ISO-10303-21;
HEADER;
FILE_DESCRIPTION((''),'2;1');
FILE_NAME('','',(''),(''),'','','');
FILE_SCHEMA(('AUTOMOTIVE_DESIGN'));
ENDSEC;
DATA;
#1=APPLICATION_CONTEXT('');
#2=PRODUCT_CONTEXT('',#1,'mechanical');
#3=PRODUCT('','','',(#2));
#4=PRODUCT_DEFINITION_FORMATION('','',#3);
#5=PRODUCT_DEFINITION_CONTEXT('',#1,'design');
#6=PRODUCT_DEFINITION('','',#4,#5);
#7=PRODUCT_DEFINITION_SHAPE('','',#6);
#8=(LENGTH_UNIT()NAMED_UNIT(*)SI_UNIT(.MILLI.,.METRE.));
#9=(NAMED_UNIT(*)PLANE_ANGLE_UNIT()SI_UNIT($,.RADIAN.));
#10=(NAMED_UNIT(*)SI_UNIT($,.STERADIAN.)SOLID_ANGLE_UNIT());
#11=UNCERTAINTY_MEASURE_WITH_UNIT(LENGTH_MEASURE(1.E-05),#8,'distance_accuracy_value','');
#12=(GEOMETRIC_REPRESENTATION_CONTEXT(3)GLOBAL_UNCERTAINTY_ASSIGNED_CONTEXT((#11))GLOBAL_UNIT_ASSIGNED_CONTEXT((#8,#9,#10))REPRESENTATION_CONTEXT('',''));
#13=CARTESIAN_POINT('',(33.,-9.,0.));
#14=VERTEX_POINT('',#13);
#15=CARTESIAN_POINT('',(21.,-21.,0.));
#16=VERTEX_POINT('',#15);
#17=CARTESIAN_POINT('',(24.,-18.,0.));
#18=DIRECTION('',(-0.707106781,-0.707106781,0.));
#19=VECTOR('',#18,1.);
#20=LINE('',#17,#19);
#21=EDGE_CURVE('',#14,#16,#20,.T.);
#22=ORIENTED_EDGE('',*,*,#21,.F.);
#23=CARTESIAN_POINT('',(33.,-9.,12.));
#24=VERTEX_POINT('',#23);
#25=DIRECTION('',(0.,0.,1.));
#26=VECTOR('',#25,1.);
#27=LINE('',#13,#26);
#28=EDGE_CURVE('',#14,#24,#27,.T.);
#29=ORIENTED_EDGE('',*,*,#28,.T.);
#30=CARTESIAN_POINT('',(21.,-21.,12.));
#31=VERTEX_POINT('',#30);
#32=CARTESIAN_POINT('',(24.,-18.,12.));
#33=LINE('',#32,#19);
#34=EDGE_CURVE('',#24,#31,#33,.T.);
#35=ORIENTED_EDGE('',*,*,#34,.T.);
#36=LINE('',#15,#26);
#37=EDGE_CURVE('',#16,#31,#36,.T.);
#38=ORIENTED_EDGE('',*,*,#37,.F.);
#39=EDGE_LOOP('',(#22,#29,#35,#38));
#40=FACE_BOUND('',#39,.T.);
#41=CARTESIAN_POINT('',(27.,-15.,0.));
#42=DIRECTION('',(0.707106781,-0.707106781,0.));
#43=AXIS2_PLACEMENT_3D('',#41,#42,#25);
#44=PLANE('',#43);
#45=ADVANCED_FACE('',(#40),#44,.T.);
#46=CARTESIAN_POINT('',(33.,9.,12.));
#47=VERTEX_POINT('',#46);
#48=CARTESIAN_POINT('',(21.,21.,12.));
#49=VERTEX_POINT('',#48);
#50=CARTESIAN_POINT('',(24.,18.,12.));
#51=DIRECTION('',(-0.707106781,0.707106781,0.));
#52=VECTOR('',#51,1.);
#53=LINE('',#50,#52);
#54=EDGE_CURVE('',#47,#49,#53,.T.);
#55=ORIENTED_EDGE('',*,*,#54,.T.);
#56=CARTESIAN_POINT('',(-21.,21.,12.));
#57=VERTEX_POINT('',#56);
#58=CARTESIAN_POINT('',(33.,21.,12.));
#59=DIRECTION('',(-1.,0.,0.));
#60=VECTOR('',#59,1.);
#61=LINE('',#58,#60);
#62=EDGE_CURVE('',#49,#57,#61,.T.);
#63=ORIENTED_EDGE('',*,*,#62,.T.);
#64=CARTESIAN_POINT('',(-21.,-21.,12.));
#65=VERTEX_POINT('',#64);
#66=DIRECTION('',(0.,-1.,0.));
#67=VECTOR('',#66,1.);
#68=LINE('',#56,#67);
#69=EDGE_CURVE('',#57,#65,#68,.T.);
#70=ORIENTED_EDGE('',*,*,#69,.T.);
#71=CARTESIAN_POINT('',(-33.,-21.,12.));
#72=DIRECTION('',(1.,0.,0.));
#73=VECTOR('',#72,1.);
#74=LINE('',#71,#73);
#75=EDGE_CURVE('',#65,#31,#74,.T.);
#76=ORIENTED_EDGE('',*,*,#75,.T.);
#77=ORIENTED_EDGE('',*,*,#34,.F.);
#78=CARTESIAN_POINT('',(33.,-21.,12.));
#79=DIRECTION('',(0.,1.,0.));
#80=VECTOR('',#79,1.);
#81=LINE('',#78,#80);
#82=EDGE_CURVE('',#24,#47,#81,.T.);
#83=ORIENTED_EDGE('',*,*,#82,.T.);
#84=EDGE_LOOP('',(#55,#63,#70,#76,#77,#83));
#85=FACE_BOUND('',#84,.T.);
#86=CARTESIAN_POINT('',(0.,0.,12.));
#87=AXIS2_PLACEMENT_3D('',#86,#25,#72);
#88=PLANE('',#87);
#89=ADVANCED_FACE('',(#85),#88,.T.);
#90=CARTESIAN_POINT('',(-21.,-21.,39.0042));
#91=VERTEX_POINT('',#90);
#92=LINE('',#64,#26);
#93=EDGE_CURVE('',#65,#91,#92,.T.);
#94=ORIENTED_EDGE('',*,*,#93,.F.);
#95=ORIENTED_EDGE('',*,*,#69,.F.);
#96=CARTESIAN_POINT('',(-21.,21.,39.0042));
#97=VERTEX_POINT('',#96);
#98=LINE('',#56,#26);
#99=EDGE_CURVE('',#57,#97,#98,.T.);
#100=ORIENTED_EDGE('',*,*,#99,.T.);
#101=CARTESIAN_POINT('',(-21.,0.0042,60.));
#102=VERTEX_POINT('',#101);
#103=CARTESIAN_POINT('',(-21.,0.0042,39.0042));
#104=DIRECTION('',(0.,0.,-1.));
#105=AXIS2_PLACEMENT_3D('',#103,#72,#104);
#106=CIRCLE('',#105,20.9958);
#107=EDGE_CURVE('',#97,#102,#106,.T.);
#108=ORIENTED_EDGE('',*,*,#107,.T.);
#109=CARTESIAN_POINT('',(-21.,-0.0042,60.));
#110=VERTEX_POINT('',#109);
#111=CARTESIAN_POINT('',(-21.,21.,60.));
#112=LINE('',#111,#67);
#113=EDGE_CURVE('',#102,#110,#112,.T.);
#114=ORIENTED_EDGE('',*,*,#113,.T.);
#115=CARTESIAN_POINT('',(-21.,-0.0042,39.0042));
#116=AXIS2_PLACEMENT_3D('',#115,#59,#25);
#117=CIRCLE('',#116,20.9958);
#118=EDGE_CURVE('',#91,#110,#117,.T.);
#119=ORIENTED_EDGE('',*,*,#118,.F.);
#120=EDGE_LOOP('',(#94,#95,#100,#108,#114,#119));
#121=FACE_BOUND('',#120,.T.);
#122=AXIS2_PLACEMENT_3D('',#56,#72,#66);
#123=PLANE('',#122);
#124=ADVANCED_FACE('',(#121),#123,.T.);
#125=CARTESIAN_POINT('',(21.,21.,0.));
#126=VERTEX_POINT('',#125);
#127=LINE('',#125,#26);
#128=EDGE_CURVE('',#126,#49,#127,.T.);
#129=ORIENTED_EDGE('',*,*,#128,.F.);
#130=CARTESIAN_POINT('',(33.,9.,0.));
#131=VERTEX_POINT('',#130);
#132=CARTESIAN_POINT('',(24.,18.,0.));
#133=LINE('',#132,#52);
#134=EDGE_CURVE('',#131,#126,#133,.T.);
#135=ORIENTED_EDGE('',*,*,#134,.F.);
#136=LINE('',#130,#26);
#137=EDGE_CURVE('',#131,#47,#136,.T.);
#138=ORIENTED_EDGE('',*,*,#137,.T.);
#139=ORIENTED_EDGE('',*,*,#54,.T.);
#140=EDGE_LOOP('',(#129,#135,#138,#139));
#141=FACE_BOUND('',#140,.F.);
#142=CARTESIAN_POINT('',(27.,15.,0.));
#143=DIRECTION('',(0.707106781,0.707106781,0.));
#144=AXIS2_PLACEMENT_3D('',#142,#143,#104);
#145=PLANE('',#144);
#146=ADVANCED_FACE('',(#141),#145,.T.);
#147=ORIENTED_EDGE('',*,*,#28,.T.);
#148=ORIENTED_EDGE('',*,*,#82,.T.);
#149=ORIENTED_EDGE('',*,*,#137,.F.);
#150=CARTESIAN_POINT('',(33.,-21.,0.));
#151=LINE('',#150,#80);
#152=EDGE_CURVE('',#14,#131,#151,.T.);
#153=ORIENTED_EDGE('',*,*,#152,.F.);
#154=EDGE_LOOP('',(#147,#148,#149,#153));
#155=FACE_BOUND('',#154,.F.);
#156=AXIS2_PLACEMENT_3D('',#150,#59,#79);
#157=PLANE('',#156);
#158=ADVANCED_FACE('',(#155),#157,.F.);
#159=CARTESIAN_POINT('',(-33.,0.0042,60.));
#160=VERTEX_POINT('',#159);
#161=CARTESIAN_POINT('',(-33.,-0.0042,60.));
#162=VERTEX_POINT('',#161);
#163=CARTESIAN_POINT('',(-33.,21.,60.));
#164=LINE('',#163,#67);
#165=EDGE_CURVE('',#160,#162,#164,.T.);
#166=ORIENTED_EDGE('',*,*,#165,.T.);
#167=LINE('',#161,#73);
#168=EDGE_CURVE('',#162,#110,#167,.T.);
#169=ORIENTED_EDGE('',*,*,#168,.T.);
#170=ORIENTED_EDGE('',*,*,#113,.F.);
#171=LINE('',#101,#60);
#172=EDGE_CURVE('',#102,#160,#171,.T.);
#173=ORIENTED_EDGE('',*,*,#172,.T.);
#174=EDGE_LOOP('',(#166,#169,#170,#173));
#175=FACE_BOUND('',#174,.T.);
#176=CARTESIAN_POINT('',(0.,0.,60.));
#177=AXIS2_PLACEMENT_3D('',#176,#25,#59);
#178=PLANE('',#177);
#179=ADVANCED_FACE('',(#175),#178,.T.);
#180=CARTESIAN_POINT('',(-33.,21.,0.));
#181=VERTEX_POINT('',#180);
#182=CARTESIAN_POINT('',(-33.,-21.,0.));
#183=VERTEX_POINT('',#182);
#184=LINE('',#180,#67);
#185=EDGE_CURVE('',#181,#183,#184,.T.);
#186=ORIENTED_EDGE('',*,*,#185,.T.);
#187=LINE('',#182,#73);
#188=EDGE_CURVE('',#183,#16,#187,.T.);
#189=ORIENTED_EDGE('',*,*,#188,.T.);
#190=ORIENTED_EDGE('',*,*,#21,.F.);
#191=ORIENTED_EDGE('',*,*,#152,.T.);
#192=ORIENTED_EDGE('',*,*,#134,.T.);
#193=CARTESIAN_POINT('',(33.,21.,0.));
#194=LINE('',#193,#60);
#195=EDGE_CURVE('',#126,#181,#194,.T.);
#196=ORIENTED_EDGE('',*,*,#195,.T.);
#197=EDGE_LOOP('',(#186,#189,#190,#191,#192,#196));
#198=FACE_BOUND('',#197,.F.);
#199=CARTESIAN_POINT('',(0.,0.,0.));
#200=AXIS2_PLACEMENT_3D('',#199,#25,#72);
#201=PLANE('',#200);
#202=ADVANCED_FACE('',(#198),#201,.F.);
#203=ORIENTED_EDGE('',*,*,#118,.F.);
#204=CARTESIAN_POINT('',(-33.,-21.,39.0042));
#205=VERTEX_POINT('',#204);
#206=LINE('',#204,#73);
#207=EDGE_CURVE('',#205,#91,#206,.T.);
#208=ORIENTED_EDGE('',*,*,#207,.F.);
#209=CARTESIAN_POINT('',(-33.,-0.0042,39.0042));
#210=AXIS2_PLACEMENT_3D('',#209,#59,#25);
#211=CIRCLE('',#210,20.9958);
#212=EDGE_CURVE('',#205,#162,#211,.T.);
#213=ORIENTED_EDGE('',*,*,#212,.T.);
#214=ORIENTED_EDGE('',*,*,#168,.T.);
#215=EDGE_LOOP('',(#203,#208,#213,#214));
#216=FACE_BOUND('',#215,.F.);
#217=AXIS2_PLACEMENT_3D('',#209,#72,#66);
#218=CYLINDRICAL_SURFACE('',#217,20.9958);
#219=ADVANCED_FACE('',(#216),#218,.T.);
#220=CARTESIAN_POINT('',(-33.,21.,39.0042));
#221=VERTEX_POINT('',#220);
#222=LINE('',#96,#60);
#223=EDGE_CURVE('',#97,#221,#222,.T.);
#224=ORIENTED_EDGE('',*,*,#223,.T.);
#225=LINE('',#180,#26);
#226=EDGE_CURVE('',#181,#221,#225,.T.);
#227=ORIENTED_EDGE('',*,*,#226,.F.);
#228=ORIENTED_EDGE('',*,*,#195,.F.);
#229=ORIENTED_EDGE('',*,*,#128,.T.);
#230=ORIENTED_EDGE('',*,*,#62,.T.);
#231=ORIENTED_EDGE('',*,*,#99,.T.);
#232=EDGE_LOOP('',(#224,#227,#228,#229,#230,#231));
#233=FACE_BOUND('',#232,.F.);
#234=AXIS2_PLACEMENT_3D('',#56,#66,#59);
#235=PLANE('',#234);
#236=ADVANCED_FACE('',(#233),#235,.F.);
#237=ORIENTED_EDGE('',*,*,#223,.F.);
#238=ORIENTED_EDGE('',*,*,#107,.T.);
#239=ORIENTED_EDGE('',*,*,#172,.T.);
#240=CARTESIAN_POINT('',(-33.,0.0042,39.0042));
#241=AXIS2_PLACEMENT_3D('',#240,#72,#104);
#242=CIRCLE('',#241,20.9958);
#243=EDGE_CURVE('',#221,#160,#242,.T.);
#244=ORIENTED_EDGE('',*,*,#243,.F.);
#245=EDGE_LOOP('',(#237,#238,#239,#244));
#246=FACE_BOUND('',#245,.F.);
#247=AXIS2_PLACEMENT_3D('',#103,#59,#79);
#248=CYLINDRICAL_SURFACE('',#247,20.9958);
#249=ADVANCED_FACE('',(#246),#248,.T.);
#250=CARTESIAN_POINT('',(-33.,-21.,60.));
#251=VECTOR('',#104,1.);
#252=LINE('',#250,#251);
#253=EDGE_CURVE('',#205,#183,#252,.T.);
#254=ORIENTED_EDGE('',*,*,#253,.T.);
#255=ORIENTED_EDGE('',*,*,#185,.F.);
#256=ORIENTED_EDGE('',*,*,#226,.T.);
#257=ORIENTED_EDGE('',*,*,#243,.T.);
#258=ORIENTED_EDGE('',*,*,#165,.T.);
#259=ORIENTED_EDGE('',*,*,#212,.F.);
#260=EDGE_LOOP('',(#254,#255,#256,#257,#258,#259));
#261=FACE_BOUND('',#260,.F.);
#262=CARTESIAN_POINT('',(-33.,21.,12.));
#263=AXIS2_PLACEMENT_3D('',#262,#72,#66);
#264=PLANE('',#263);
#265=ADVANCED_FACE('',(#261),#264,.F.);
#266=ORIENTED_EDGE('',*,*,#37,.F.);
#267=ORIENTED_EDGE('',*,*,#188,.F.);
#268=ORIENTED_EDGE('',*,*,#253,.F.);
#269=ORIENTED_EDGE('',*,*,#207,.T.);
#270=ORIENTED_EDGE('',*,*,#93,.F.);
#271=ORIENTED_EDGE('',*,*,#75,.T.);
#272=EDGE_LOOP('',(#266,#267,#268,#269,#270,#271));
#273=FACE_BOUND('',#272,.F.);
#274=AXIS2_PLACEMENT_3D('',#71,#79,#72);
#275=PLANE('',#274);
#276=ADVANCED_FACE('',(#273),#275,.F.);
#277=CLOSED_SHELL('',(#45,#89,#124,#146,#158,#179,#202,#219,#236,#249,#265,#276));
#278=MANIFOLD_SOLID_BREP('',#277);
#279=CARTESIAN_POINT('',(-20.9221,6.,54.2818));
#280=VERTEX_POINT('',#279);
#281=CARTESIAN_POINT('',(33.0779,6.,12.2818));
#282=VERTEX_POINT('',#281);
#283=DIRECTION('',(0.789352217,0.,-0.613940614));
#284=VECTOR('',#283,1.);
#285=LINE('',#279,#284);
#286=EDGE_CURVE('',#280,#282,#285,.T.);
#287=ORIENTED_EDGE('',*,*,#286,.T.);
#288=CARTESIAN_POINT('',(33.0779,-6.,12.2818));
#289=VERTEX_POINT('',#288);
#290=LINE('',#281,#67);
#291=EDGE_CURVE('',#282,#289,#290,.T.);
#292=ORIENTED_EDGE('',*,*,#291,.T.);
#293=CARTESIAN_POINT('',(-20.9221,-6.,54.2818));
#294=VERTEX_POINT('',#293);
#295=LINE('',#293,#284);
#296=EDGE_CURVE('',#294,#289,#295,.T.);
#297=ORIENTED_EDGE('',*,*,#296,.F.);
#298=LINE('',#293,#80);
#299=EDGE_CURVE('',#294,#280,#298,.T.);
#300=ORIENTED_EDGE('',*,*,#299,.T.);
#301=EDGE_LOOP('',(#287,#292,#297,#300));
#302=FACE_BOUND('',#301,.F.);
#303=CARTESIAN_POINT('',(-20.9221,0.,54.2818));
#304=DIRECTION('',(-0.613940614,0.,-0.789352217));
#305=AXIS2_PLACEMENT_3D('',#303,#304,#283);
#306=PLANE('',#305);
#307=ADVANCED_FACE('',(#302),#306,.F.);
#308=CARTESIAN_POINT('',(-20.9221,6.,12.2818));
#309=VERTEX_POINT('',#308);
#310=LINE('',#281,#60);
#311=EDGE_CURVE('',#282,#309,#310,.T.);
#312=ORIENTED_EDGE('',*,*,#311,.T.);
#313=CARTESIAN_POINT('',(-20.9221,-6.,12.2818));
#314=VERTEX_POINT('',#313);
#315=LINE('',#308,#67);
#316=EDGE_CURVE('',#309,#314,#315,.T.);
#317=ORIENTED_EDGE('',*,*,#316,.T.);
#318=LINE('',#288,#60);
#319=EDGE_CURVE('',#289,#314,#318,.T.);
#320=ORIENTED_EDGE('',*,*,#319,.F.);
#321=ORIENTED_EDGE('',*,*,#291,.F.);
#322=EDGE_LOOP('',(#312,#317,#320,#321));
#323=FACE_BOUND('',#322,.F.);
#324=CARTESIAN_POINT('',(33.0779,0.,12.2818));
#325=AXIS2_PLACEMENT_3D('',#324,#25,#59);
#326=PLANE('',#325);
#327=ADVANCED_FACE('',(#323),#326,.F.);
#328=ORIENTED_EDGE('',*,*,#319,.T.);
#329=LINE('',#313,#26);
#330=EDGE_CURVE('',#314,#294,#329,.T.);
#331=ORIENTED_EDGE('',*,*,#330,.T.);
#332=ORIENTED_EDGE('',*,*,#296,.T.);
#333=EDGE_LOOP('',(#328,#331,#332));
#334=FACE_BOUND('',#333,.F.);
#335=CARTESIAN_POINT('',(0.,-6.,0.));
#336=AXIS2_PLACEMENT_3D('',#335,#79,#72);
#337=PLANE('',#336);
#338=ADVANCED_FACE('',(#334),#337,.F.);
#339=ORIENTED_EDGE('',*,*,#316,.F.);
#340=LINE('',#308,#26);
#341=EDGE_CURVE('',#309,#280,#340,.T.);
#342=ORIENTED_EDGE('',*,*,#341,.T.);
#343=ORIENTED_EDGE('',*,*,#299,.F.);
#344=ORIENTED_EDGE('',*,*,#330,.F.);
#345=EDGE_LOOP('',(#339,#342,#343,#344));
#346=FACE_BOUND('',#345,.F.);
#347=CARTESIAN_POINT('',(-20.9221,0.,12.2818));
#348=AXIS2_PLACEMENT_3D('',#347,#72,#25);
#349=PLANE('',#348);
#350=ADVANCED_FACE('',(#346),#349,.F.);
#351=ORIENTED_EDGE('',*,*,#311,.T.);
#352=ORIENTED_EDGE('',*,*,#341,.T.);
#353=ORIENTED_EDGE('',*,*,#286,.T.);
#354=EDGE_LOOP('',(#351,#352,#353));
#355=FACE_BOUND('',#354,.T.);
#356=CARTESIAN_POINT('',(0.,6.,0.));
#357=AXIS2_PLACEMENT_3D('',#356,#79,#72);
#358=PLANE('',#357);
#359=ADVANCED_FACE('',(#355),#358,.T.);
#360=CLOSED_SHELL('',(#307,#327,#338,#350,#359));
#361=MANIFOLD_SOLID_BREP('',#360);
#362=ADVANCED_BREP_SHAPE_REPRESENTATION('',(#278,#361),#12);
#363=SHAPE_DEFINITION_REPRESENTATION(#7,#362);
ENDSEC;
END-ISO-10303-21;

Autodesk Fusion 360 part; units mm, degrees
sketch "Sketch2" plane through (0, 0, 0) normal (0, 0, 1) x (1, 0, 0)
  line L0 (33, 21) -> (-33, 21)
  line L1 (-33, 21) -> (-33, -21)
  line L2 (-33, -21) -> (33, -21)
  line L3 (33, -21) -> (33, 21)
  line L4 (33, 21) -> (-33, -21) construction
  line L5 (-33, 21) -> (33, -21) construction
  dimension "d1" = 66
  dimension "d2" = 42
extrude "Extrude1" add sketch "Sketch2" along normal blind 12 makes body 1
chamfer "Chamfer1" distance 12 angle 45 2 edges at (33, -21, 6) (33, 21, 6) on bodies 1
sketch "Sketch3" plane through (0, 0, 12) normal (0, 0, 1) x (-1, 0, 0)
  line L0 (-33, -9) -> (-21, -21)
  line L1 (-21, -21) -> (33, -21)
  line L2 (33, -21) -> (33, 21)
  line L3 (33, 21) -> (-21, 21)
  line L4 (-21, 21) -> (-33, 9)
  line L5 (-33, 9) -> (-33, -9)
  line L6 (33, -21) -> (21, -21)
  line L7 (21, -21) -> (21, 21)
  line L8 (21, 21) -> (33, 21)
  line L9 (33, 21) -> (33, -21)
  dimension "d6" = 12
extrude "Extrude2" add sketch "Sketch3" along normal blind 48 contours L1 L2 L3 L6 L7 L8 L9 bodies 1
fillet "Fillet1" radius 21 2 edges at (-27, -21, 60) (-27, 21, 60) on bodies 1
sketch "Sketch4" plane through (0, 0, 0) normal (0, 1, 0) x (1, 0, 0)
  line L0 (-20.9221, -54.2818) -> (33.0779, -12.2818)
  line L1 (33.0779, -12.2818) -> (-20.9221, -12.2818)
  line L2 (-20.9221, -12.2818) -> (-20.9221, -54.2818)
  dimension "d11" = 42
  dimension "d12" = 54
extrude "Extrude3" add sketch "Sketch4" along normal mid plane 12 separate body makes body 2
equation "d7 = 60 mm - 12 mm"
equation "d12 = 66 mm - 12 mm"
